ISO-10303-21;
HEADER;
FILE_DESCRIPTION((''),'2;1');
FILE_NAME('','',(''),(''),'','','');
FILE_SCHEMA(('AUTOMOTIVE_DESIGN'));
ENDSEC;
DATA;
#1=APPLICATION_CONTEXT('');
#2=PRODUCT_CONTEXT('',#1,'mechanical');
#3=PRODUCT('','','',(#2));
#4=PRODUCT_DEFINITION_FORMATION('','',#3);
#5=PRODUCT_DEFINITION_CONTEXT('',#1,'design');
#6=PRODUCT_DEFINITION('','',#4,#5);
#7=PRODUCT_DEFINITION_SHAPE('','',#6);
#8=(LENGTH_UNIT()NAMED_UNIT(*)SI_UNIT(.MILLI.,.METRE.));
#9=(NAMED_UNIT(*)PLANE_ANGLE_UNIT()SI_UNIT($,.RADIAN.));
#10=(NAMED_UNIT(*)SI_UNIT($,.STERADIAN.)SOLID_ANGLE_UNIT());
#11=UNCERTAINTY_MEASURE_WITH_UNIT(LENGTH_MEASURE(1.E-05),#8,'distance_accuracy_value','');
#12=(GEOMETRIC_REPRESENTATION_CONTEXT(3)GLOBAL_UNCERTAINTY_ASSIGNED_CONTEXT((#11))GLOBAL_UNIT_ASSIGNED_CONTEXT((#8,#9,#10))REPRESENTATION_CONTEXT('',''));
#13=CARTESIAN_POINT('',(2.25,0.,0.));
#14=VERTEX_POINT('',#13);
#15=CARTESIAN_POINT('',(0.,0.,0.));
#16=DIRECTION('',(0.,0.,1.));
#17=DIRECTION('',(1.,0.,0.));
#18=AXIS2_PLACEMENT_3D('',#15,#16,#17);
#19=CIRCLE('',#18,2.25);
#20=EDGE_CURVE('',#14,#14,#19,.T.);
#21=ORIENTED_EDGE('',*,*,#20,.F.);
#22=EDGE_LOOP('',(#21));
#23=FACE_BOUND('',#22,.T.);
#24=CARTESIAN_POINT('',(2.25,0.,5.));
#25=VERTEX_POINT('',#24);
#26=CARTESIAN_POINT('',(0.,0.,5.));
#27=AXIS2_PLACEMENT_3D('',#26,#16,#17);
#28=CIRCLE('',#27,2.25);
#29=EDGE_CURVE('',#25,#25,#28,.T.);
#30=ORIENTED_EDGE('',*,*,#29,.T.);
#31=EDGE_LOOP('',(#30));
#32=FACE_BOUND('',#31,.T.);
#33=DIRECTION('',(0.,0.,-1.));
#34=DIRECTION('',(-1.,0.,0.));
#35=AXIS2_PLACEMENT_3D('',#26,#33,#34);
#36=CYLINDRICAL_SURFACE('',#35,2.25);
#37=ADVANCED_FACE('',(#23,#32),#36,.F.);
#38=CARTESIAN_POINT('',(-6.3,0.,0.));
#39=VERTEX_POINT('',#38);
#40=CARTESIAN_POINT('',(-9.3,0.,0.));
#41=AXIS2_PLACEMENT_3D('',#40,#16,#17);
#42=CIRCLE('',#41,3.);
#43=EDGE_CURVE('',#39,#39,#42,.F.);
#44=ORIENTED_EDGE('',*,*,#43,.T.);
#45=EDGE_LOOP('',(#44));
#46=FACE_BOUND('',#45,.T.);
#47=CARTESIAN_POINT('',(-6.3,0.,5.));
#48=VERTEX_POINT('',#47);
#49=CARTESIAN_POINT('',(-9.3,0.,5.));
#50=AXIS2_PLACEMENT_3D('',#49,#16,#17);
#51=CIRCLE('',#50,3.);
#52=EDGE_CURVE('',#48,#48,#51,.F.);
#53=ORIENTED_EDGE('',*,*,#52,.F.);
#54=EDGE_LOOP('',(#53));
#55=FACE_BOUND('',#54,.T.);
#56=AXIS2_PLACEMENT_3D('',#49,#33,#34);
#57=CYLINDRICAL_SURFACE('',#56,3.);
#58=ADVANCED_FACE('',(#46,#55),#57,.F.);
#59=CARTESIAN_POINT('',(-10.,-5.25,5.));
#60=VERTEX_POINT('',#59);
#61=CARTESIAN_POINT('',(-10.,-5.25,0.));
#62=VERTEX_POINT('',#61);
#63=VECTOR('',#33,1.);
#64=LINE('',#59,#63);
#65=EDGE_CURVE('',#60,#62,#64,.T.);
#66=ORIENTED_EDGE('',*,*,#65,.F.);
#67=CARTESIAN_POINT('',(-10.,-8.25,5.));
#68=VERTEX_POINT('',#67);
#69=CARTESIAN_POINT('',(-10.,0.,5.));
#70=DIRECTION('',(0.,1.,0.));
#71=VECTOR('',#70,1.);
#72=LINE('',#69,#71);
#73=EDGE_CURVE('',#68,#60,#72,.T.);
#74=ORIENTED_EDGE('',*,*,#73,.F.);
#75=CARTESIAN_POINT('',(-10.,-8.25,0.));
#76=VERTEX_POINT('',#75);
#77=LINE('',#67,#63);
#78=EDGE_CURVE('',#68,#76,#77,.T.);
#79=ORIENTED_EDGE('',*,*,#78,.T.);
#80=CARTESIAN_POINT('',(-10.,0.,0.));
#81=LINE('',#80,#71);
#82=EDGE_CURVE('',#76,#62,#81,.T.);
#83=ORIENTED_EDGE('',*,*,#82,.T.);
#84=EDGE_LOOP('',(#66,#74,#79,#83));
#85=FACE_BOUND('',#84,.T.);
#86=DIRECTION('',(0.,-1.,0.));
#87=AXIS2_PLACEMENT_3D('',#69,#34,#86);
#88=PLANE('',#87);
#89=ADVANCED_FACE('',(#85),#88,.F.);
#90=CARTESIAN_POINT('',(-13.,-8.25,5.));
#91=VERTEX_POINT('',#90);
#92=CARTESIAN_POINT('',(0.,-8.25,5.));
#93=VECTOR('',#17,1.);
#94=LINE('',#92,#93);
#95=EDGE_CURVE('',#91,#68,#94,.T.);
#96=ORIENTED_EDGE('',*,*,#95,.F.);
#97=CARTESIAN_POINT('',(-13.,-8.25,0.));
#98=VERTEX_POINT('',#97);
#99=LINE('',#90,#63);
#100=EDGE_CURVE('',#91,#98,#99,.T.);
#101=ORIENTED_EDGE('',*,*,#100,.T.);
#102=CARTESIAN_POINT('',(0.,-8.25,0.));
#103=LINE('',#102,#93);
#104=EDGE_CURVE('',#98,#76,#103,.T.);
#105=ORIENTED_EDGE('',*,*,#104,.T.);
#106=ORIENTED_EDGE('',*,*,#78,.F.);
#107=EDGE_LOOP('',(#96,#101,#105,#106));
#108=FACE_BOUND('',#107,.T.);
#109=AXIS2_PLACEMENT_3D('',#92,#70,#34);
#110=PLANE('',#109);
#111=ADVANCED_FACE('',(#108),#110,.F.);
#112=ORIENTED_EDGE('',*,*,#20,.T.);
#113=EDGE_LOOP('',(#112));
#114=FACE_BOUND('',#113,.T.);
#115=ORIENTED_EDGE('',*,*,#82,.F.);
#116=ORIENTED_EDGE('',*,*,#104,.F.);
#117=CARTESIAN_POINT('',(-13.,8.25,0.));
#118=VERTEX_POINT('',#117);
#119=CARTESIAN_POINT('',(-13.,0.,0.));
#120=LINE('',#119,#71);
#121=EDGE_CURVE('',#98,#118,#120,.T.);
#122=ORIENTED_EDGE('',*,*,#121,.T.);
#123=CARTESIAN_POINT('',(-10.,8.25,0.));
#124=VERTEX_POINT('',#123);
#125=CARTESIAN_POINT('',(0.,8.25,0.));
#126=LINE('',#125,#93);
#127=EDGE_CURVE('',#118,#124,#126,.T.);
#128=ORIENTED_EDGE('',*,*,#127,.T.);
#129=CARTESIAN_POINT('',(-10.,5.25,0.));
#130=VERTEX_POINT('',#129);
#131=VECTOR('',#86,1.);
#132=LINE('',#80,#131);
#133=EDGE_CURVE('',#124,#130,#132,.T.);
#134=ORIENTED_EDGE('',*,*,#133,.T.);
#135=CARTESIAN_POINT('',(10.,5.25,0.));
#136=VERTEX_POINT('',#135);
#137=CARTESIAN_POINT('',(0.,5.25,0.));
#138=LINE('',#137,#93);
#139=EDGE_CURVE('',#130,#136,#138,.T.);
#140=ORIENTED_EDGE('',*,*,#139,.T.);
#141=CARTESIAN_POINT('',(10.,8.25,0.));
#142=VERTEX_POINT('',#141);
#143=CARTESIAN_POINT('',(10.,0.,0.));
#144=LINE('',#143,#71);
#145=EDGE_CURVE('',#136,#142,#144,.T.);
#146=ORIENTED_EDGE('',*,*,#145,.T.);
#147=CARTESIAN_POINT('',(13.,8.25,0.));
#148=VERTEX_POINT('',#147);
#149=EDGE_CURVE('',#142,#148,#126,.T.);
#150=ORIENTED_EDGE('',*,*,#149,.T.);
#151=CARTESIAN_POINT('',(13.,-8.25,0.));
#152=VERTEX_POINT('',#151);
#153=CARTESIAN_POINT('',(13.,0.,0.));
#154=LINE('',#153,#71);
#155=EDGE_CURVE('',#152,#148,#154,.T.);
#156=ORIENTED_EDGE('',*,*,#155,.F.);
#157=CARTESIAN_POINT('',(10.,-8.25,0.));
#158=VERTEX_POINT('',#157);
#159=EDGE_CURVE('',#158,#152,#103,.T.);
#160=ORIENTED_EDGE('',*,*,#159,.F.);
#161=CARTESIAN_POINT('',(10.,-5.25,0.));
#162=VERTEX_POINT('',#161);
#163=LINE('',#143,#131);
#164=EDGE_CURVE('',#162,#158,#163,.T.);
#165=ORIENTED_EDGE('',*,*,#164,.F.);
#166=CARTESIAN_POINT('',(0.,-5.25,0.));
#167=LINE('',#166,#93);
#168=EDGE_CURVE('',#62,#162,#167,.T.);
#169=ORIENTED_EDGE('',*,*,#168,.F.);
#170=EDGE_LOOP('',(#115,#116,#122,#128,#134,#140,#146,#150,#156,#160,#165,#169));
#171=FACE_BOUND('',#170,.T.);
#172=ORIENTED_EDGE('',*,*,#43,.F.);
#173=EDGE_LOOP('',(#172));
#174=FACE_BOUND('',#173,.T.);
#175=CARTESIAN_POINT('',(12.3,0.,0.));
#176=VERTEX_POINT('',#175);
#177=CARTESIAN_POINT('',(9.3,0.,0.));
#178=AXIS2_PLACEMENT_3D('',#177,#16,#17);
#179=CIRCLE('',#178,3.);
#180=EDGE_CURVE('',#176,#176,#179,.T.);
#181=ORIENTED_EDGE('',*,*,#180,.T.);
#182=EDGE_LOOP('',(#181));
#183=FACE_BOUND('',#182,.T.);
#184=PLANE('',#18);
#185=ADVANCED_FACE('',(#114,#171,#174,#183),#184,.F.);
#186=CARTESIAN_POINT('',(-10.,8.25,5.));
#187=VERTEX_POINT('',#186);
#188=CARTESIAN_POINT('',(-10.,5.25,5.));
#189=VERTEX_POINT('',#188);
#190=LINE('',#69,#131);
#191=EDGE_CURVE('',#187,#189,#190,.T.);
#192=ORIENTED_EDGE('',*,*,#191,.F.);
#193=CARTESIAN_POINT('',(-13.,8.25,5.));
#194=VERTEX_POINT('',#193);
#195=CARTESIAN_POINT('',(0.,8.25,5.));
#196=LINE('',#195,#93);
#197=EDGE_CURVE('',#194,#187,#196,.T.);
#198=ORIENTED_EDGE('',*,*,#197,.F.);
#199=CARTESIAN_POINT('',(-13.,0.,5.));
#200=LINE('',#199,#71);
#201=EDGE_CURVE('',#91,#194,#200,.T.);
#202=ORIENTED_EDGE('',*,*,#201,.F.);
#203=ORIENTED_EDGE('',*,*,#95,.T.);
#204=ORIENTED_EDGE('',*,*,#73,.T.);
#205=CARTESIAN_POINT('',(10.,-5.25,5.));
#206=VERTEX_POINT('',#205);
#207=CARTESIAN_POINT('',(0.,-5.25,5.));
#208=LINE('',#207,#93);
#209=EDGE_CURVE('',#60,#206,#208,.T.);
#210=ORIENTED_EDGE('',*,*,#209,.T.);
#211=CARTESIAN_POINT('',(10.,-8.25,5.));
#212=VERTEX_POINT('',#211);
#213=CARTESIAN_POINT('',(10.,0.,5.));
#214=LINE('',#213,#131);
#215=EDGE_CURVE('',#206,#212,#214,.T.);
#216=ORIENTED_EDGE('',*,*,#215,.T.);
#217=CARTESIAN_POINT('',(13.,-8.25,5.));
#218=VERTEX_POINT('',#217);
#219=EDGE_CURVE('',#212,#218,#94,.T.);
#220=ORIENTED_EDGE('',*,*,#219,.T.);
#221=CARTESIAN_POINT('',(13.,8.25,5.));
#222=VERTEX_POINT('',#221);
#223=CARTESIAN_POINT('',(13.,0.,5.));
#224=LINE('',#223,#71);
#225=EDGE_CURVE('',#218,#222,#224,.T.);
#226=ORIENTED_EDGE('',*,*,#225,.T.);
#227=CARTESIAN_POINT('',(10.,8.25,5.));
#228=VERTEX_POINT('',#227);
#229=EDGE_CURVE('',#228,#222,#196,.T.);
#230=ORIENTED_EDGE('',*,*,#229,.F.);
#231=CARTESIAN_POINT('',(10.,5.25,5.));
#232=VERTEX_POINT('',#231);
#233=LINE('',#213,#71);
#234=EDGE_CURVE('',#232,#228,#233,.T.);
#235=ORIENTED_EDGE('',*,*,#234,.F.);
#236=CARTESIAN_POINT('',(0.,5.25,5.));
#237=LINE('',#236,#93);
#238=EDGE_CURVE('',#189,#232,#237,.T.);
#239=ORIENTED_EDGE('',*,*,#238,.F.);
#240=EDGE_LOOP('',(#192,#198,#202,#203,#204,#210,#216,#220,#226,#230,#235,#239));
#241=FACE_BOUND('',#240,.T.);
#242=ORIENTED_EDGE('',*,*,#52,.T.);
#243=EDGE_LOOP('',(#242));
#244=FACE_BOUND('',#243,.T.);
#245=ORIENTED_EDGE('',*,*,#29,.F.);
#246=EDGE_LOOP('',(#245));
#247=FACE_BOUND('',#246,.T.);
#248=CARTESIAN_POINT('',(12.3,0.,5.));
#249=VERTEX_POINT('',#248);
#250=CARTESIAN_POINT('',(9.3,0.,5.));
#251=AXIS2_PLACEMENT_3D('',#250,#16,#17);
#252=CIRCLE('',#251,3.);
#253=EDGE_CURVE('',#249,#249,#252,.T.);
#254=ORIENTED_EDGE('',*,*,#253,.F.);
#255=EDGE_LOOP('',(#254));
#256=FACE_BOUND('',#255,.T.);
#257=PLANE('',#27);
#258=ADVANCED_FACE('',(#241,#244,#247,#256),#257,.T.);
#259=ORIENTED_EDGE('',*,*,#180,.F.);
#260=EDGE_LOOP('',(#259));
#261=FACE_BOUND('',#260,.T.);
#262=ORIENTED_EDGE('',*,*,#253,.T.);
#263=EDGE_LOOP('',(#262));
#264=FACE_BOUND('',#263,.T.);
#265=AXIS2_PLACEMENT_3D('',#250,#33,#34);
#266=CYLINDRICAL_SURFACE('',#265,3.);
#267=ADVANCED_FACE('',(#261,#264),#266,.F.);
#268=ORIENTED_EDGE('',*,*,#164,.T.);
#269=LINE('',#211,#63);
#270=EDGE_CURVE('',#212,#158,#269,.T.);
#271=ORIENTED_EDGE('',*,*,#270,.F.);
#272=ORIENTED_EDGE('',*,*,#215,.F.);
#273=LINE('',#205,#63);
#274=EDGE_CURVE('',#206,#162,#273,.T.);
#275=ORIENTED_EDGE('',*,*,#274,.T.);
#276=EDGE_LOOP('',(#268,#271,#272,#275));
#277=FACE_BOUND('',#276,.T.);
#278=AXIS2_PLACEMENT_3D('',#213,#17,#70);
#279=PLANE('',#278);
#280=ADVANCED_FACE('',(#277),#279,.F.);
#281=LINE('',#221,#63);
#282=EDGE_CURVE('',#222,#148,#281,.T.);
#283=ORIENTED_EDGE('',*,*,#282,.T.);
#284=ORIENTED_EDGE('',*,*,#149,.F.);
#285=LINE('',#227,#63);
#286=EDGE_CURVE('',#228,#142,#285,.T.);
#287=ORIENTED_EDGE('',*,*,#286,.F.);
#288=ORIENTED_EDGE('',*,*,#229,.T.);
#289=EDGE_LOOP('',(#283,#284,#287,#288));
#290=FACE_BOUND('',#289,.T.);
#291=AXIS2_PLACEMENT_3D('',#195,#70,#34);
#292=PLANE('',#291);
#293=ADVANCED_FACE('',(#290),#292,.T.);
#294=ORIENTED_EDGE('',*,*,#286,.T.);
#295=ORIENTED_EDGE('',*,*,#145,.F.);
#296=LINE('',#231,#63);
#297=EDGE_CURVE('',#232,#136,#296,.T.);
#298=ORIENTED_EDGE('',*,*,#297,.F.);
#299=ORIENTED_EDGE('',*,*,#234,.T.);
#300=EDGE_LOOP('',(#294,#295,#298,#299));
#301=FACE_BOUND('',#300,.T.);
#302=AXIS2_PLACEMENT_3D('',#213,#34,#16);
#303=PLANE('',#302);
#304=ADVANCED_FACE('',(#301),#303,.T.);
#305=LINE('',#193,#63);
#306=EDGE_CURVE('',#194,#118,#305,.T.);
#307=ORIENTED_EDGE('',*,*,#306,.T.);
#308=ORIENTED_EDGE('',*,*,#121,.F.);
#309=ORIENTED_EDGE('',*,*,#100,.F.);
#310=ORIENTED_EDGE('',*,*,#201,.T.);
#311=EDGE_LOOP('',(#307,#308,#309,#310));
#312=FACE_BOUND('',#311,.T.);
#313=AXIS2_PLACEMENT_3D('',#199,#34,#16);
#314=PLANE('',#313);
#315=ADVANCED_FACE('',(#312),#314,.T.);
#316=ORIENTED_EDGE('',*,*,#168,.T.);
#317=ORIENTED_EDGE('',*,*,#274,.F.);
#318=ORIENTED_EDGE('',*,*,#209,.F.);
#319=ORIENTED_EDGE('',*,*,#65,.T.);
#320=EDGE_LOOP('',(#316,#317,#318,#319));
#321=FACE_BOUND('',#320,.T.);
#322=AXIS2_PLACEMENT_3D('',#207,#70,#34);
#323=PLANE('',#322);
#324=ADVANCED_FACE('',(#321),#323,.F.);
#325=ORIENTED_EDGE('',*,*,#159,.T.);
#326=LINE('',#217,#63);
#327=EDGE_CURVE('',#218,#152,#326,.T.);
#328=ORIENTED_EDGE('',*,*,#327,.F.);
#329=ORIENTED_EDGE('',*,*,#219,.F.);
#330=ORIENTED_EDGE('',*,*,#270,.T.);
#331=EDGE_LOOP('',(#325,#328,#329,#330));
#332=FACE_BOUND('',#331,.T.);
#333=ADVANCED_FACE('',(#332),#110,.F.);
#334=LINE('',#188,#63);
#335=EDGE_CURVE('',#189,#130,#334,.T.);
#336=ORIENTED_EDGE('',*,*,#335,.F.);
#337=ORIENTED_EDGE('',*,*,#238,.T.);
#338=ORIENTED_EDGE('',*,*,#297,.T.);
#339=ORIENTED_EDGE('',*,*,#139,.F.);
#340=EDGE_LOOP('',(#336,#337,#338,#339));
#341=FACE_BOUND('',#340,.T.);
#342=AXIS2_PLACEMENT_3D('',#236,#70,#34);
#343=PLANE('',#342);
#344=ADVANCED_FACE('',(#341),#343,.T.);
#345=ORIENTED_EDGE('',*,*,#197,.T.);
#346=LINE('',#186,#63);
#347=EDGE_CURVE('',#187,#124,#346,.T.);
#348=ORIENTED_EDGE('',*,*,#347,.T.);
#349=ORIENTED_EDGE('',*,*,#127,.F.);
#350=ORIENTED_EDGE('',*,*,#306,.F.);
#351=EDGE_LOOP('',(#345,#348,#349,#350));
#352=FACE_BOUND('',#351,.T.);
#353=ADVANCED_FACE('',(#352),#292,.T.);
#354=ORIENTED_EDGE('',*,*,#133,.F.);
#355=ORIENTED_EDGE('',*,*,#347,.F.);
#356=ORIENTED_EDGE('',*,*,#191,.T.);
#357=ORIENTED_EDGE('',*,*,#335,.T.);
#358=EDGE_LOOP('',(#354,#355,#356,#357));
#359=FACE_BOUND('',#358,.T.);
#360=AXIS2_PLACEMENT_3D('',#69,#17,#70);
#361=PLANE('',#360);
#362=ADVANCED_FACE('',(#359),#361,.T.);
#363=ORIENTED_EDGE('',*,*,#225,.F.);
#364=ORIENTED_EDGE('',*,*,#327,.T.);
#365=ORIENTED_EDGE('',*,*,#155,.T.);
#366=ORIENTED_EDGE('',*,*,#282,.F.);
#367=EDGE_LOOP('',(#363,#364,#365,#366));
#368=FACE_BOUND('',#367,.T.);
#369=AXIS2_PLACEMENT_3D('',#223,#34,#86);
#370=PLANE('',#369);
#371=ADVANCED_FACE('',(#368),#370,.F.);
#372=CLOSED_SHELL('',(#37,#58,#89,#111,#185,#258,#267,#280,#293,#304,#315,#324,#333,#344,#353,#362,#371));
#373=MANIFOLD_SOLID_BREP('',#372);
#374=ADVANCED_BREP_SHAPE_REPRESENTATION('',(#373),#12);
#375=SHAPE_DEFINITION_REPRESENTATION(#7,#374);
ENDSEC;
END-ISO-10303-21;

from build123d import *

# Parameters (mm, degrees)
SKETCH1_R           = 3
SKETCH1_R_2         = 2.25
BOSS_EXTRUDE1_DEPTH = 5


with BuildPart() as part:
    # Sketch1 → Boss-Extrude1 (new body)
    with BuildSketch(Plane.XY):
        Polygon((-13, 8.25), (-13, -8.25), (-10, -8.25), (-10, -5.25), (10, -5.25), (10, -8.25), (13, -8.25), (13, 8.25), (10, 8.25), (10, 5.25), (-10, 5.25), (-10, 8.25), align=None)
        with Locations((-9.3, 0)):
            Circle(SKETCH1_R, mode=Mode.SUBTRACT)
        Circle(SKETCH1_R_2, mode=Mode.SUBTRACT)
        with Locations((9.3, 0)):
            Circle(SKETCH1_R, mode=Mode.SUBTRACT)
    extrude(amount=BOSS_EXTRUDE1_DEPTH)


solid = part.part
